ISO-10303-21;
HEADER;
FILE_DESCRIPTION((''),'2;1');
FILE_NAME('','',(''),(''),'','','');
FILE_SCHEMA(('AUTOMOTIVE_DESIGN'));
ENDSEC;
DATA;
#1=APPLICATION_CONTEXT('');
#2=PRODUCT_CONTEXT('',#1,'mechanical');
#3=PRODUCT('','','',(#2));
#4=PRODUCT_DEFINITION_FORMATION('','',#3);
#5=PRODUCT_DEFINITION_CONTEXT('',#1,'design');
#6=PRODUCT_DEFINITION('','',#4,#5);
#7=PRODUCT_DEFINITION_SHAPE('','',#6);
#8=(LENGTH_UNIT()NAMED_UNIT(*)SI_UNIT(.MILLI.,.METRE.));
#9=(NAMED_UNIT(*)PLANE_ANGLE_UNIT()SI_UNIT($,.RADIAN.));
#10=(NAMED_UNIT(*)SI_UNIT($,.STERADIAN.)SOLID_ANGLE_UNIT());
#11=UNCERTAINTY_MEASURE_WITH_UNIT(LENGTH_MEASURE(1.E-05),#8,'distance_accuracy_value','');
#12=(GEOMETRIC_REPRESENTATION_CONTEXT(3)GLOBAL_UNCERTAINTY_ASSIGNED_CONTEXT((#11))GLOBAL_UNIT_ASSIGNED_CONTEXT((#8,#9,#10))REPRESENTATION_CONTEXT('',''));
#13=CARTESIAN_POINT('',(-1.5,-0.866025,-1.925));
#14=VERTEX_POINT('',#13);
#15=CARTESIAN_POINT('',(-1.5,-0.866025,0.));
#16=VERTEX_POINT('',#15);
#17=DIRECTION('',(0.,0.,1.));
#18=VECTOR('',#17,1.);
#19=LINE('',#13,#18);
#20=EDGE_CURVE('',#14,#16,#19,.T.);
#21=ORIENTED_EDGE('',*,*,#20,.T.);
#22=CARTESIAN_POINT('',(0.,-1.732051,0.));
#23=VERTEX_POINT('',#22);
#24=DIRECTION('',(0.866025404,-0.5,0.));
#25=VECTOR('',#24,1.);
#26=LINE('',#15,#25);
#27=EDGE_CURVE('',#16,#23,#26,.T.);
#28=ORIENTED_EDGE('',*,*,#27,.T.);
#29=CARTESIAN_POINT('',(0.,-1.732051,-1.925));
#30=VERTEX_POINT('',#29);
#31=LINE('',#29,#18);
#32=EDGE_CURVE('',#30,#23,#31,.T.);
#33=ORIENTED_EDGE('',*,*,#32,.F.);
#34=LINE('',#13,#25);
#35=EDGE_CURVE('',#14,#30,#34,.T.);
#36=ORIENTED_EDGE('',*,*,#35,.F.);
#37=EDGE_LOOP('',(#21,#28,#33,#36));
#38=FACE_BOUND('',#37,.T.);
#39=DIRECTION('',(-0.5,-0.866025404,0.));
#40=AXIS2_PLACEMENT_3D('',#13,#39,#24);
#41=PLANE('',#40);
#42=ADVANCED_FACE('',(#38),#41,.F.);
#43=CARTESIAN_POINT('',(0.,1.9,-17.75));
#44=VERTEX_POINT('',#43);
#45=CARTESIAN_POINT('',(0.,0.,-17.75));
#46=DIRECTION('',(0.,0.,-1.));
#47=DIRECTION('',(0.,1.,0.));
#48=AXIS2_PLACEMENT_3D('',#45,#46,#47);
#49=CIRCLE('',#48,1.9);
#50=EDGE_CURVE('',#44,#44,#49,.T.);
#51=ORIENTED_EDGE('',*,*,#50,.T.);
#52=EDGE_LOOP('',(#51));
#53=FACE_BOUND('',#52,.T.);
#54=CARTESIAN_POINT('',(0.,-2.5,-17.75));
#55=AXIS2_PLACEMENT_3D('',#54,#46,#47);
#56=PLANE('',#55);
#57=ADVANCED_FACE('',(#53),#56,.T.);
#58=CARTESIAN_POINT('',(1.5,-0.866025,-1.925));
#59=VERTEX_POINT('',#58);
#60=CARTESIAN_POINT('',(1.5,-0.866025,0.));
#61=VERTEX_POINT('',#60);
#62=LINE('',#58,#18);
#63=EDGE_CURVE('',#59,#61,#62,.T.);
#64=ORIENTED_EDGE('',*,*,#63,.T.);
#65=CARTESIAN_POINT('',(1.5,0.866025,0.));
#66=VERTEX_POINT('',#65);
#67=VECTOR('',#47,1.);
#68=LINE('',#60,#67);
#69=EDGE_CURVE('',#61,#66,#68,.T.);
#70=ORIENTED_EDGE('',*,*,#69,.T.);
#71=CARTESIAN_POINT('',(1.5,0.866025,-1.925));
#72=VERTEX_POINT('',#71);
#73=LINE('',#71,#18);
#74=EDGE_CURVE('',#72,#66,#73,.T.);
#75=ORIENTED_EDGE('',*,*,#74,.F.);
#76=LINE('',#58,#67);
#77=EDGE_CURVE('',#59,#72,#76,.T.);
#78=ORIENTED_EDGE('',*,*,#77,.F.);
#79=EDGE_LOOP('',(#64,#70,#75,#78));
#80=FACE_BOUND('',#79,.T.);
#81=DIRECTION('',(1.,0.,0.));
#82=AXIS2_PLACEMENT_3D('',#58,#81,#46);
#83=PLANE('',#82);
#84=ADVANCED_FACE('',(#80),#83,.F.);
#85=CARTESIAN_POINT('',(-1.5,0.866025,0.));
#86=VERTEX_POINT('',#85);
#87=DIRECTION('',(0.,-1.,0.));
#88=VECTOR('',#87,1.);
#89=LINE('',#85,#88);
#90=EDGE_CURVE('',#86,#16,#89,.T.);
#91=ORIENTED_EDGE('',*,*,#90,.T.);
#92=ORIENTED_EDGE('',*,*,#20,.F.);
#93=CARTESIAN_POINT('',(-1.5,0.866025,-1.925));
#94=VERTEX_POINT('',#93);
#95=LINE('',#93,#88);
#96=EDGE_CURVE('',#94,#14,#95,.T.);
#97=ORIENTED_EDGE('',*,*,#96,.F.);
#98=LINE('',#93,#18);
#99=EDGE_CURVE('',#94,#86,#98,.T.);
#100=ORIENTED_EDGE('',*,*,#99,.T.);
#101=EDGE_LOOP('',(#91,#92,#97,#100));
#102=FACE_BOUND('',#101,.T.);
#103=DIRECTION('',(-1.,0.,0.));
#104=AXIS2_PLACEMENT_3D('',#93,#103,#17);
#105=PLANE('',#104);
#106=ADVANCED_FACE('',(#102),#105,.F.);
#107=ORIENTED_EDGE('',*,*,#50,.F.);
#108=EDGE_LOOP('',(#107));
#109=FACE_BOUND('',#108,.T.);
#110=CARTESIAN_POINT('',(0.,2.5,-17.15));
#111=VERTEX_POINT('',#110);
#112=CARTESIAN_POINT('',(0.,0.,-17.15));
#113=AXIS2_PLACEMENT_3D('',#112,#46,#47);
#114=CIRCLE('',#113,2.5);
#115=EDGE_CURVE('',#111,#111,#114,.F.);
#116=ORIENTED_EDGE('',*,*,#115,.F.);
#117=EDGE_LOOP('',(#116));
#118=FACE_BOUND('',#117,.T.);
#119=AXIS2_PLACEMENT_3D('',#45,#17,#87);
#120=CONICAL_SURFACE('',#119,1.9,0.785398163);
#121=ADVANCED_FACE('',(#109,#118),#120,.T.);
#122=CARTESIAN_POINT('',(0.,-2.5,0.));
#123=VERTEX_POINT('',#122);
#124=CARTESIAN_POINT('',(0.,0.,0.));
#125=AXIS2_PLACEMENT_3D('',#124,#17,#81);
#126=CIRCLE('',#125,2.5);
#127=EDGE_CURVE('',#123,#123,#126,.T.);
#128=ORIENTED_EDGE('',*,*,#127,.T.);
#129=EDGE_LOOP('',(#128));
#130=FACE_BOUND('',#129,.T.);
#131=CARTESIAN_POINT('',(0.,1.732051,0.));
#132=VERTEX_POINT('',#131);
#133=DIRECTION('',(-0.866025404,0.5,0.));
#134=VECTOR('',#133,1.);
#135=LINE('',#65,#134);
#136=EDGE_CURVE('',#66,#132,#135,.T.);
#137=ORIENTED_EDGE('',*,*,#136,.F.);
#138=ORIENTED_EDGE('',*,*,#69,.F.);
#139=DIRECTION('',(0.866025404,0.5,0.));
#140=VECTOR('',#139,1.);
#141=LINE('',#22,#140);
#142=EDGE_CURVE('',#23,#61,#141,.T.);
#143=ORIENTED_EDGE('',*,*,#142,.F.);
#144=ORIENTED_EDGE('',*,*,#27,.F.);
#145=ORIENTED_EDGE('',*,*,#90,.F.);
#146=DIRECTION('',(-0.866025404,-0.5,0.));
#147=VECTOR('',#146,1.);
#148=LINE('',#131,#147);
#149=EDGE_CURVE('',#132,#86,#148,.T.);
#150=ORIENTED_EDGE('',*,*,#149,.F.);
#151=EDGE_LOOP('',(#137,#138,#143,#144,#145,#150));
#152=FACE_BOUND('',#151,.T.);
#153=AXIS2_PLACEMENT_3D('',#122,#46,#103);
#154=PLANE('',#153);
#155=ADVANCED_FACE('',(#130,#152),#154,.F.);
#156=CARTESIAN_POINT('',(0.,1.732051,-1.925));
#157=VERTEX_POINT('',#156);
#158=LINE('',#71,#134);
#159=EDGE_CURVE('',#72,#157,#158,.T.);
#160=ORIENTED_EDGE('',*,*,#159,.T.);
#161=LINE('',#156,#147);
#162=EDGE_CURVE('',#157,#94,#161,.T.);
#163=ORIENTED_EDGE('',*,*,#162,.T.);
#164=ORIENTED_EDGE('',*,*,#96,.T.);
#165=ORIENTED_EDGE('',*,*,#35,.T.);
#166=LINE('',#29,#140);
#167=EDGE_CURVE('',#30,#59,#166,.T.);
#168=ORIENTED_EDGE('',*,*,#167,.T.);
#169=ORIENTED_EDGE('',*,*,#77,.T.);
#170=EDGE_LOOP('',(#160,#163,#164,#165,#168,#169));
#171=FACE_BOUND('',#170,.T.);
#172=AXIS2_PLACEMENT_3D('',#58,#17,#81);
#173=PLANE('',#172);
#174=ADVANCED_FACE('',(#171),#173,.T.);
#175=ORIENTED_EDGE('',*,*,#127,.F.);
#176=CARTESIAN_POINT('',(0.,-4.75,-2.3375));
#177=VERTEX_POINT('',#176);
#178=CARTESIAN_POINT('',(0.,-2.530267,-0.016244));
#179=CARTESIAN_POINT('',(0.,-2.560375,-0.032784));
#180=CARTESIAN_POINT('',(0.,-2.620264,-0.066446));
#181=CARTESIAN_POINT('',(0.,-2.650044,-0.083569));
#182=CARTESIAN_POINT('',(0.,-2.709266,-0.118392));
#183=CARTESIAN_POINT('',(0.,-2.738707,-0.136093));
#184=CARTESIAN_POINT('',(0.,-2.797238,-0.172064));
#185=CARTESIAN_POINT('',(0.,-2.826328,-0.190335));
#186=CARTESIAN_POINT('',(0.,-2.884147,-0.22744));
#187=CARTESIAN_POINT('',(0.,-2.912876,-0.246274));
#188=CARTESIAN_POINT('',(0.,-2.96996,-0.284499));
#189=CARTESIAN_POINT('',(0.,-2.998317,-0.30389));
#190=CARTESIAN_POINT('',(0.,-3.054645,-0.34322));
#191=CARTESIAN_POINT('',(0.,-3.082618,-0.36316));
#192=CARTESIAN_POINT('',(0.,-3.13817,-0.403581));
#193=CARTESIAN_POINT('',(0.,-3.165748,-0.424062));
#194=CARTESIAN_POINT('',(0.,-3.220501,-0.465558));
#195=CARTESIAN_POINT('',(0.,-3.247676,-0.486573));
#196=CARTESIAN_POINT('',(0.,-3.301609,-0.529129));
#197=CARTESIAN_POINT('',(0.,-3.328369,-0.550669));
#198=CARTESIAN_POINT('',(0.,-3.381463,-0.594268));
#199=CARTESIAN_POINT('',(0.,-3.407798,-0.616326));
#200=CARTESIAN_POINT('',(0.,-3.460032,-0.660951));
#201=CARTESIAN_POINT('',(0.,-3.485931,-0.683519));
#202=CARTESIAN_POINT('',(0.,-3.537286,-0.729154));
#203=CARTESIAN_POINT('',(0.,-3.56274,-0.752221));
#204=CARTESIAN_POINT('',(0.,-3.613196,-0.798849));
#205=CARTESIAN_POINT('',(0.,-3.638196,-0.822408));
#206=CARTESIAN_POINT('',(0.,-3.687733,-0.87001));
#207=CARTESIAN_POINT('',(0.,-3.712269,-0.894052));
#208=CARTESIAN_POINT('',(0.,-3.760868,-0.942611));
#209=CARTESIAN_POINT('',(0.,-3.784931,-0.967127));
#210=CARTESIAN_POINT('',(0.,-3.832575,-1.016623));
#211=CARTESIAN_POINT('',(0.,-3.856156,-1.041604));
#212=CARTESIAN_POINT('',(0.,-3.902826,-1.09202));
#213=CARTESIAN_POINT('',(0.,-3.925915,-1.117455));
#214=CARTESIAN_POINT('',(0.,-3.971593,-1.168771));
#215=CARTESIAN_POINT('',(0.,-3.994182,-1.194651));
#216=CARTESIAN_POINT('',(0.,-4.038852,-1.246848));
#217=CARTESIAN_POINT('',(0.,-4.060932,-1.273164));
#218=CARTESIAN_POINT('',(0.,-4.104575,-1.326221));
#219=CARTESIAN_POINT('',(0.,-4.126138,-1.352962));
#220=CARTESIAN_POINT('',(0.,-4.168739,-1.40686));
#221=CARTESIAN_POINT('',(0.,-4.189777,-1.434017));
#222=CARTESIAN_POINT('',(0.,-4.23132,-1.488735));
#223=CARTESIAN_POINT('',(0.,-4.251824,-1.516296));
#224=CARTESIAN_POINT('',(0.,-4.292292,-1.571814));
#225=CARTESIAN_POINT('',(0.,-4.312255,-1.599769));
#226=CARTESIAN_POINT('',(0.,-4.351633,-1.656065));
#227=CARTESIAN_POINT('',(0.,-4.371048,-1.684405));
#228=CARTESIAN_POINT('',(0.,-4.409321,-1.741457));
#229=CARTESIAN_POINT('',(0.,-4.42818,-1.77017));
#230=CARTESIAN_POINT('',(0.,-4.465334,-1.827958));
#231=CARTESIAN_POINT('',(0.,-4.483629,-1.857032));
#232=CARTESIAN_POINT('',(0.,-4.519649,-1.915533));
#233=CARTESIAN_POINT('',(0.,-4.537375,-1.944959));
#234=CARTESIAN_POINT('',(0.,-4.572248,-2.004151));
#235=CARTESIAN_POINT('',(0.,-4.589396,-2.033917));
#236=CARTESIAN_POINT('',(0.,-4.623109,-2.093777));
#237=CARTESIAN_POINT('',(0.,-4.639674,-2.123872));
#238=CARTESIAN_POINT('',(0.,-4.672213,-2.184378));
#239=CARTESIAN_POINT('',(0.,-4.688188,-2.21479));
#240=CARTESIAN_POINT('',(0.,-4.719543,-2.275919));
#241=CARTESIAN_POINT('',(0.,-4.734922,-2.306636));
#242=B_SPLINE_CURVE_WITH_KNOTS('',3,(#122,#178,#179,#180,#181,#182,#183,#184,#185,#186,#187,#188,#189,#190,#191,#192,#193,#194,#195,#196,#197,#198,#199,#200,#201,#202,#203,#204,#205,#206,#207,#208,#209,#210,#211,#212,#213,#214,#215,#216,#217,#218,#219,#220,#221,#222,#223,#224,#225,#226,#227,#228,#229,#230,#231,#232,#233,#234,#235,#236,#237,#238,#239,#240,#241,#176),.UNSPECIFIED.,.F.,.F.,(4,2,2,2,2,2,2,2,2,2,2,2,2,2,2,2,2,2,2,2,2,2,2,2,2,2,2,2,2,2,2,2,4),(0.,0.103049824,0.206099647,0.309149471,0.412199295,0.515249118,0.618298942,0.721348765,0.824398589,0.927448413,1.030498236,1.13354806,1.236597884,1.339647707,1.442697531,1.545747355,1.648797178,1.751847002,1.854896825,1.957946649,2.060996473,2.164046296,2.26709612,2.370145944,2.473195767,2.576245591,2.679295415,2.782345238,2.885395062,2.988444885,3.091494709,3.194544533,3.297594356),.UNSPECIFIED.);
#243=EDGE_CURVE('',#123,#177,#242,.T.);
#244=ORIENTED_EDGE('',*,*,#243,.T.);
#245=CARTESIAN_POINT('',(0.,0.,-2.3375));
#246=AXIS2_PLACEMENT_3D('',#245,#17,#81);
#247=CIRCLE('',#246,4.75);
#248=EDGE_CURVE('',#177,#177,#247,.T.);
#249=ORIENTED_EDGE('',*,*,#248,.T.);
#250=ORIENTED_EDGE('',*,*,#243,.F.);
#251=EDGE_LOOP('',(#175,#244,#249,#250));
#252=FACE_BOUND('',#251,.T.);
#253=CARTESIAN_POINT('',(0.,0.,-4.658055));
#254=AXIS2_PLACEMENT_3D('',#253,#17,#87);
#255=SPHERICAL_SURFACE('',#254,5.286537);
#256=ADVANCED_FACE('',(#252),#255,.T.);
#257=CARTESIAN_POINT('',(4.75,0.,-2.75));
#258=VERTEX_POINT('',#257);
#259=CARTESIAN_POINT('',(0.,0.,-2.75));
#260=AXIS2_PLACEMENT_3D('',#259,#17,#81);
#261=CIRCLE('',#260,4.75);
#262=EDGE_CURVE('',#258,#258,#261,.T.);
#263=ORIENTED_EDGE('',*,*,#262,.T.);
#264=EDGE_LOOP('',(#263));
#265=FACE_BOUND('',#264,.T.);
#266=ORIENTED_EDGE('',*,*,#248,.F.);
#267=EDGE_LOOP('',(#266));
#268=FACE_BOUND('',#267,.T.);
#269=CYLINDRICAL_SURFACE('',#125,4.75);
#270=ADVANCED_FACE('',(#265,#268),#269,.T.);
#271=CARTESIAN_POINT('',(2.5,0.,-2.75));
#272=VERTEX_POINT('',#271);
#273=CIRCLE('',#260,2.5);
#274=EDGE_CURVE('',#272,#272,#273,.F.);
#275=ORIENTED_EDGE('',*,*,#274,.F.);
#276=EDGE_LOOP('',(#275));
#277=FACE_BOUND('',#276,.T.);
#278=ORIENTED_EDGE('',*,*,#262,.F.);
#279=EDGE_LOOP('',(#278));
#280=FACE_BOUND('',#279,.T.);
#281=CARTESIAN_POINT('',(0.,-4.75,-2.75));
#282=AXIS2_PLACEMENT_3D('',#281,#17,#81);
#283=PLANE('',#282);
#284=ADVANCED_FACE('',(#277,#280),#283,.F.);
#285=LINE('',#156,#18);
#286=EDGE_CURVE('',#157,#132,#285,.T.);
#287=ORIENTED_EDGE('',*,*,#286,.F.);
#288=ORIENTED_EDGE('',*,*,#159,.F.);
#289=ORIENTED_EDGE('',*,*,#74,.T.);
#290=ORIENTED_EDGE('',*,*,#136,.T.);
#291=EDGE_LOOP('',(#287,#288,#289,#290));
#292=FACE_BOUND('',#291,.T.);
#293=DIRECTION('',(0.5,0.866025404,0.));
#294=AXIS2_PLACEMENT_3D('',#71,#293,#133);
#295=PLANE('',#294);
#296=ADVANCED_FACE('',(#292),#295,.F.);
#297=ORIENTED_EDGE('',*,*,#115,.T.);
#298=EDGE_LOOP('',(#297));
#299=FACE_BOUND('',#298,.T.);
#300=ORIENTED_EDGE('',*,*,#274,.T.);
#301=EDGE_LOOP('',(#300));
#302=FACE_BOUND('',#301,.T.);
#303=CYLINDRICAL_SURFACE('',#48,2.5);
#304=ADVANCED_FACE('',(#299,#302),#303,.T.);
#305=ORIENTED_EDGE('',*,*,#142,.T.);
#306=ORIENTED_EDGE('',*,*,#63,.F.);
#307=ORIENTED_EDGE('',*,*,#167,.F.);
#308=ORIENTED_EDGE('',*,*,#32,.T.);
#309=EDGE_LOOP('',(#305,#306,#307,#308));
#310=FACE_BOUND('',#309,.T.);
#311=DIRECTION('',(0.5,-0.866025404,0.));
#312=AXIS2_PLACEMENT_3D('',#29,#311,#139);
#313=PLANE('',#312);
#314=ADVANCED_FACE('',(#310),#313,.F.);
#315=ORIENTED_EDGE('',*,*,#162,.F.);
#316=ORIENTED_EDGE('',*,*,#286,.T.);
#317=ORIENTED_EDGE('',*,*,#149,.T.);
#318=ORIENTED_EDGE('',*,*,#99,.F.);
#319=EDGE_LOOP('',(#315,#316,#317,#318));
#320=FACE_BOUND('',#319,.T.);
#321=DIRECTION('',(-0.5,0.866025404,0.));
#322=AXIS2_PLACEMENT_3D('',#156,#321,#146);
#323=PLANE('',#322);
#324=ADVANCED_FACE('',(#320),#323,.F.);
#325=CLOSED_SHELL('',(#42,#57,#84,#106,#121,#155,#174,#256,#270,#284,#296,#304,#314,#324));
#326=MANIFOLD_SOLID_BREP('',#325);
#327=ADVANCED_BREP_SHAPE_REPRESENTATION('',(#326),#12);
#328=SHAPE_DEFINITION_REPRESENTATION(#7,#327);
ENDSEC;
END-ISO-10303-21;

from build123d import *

# Parameters (mm, degrees)
SKETCH1_W          = 15
SKETCH1_H          = 2.5
CHAMFER1_SIZE      = 0.6
CUT_EXTRUDE2_DEPTH = 1.925


with BuildPart() as part:
    # Sketch1 → Revolve1 (revolve)
    with BuildSketch(Plane(origin=(0, 0, 0), x_dir=(0, 0, -1), z_dir=(1, 0, 0))):
        with Locations((10.25, 1.25)):
            Rectangle(SKETCH1_W, SKETCH1_H)
    revolve(axis=Axis((0, 0, -17.75), (0, 0, 1)))

    # Chamfer1
    chamfer1_edges = [part.edges().sort_by_distance(p)[0] for p in [
        (0, -2.5, -17.75),
    ]]
    chamfer(chamfer1_edges, length=CHAMFER1_SIZE)

    # Sketch7 → Revolve2 (revolve)
    with BuildSketch(Plane(origin=(0, 0, 0), x_dir=(0, 0, -1), z_dir=(1, 0, 0))):
        with BuildLine():
            Line((2.3375, 4.75), (2.75, 4.75))
            Line((2.75, 4.75), (2.75, 0))
            Line((2.75, 0), (0, 0))
            Line((0, 0), (0, 2.5))
            ThreePointArc((0, 2.5), (0.991875183, 3.808753282), (2.3375, 4.75))
        make_face()
    revolve(axis=Axis((0, 0, 0), (0, 0, -1)))

    # Sketch5 → Cut-Extrude2 (cut)
    with BuildSketch(Plane.XY):
        Polygon((1.5, -0.866025404), (1.5, 0.866025404), (0, 1.732050808), (-1.5, 0.866025404), (-1.5, -0.866025404), (0, -1.732050808), align=None)
    extrude(amount=-CUT_EXTRUDE2_DEPTH, mode=Mode.SUBTRACT)


solid = part.part
